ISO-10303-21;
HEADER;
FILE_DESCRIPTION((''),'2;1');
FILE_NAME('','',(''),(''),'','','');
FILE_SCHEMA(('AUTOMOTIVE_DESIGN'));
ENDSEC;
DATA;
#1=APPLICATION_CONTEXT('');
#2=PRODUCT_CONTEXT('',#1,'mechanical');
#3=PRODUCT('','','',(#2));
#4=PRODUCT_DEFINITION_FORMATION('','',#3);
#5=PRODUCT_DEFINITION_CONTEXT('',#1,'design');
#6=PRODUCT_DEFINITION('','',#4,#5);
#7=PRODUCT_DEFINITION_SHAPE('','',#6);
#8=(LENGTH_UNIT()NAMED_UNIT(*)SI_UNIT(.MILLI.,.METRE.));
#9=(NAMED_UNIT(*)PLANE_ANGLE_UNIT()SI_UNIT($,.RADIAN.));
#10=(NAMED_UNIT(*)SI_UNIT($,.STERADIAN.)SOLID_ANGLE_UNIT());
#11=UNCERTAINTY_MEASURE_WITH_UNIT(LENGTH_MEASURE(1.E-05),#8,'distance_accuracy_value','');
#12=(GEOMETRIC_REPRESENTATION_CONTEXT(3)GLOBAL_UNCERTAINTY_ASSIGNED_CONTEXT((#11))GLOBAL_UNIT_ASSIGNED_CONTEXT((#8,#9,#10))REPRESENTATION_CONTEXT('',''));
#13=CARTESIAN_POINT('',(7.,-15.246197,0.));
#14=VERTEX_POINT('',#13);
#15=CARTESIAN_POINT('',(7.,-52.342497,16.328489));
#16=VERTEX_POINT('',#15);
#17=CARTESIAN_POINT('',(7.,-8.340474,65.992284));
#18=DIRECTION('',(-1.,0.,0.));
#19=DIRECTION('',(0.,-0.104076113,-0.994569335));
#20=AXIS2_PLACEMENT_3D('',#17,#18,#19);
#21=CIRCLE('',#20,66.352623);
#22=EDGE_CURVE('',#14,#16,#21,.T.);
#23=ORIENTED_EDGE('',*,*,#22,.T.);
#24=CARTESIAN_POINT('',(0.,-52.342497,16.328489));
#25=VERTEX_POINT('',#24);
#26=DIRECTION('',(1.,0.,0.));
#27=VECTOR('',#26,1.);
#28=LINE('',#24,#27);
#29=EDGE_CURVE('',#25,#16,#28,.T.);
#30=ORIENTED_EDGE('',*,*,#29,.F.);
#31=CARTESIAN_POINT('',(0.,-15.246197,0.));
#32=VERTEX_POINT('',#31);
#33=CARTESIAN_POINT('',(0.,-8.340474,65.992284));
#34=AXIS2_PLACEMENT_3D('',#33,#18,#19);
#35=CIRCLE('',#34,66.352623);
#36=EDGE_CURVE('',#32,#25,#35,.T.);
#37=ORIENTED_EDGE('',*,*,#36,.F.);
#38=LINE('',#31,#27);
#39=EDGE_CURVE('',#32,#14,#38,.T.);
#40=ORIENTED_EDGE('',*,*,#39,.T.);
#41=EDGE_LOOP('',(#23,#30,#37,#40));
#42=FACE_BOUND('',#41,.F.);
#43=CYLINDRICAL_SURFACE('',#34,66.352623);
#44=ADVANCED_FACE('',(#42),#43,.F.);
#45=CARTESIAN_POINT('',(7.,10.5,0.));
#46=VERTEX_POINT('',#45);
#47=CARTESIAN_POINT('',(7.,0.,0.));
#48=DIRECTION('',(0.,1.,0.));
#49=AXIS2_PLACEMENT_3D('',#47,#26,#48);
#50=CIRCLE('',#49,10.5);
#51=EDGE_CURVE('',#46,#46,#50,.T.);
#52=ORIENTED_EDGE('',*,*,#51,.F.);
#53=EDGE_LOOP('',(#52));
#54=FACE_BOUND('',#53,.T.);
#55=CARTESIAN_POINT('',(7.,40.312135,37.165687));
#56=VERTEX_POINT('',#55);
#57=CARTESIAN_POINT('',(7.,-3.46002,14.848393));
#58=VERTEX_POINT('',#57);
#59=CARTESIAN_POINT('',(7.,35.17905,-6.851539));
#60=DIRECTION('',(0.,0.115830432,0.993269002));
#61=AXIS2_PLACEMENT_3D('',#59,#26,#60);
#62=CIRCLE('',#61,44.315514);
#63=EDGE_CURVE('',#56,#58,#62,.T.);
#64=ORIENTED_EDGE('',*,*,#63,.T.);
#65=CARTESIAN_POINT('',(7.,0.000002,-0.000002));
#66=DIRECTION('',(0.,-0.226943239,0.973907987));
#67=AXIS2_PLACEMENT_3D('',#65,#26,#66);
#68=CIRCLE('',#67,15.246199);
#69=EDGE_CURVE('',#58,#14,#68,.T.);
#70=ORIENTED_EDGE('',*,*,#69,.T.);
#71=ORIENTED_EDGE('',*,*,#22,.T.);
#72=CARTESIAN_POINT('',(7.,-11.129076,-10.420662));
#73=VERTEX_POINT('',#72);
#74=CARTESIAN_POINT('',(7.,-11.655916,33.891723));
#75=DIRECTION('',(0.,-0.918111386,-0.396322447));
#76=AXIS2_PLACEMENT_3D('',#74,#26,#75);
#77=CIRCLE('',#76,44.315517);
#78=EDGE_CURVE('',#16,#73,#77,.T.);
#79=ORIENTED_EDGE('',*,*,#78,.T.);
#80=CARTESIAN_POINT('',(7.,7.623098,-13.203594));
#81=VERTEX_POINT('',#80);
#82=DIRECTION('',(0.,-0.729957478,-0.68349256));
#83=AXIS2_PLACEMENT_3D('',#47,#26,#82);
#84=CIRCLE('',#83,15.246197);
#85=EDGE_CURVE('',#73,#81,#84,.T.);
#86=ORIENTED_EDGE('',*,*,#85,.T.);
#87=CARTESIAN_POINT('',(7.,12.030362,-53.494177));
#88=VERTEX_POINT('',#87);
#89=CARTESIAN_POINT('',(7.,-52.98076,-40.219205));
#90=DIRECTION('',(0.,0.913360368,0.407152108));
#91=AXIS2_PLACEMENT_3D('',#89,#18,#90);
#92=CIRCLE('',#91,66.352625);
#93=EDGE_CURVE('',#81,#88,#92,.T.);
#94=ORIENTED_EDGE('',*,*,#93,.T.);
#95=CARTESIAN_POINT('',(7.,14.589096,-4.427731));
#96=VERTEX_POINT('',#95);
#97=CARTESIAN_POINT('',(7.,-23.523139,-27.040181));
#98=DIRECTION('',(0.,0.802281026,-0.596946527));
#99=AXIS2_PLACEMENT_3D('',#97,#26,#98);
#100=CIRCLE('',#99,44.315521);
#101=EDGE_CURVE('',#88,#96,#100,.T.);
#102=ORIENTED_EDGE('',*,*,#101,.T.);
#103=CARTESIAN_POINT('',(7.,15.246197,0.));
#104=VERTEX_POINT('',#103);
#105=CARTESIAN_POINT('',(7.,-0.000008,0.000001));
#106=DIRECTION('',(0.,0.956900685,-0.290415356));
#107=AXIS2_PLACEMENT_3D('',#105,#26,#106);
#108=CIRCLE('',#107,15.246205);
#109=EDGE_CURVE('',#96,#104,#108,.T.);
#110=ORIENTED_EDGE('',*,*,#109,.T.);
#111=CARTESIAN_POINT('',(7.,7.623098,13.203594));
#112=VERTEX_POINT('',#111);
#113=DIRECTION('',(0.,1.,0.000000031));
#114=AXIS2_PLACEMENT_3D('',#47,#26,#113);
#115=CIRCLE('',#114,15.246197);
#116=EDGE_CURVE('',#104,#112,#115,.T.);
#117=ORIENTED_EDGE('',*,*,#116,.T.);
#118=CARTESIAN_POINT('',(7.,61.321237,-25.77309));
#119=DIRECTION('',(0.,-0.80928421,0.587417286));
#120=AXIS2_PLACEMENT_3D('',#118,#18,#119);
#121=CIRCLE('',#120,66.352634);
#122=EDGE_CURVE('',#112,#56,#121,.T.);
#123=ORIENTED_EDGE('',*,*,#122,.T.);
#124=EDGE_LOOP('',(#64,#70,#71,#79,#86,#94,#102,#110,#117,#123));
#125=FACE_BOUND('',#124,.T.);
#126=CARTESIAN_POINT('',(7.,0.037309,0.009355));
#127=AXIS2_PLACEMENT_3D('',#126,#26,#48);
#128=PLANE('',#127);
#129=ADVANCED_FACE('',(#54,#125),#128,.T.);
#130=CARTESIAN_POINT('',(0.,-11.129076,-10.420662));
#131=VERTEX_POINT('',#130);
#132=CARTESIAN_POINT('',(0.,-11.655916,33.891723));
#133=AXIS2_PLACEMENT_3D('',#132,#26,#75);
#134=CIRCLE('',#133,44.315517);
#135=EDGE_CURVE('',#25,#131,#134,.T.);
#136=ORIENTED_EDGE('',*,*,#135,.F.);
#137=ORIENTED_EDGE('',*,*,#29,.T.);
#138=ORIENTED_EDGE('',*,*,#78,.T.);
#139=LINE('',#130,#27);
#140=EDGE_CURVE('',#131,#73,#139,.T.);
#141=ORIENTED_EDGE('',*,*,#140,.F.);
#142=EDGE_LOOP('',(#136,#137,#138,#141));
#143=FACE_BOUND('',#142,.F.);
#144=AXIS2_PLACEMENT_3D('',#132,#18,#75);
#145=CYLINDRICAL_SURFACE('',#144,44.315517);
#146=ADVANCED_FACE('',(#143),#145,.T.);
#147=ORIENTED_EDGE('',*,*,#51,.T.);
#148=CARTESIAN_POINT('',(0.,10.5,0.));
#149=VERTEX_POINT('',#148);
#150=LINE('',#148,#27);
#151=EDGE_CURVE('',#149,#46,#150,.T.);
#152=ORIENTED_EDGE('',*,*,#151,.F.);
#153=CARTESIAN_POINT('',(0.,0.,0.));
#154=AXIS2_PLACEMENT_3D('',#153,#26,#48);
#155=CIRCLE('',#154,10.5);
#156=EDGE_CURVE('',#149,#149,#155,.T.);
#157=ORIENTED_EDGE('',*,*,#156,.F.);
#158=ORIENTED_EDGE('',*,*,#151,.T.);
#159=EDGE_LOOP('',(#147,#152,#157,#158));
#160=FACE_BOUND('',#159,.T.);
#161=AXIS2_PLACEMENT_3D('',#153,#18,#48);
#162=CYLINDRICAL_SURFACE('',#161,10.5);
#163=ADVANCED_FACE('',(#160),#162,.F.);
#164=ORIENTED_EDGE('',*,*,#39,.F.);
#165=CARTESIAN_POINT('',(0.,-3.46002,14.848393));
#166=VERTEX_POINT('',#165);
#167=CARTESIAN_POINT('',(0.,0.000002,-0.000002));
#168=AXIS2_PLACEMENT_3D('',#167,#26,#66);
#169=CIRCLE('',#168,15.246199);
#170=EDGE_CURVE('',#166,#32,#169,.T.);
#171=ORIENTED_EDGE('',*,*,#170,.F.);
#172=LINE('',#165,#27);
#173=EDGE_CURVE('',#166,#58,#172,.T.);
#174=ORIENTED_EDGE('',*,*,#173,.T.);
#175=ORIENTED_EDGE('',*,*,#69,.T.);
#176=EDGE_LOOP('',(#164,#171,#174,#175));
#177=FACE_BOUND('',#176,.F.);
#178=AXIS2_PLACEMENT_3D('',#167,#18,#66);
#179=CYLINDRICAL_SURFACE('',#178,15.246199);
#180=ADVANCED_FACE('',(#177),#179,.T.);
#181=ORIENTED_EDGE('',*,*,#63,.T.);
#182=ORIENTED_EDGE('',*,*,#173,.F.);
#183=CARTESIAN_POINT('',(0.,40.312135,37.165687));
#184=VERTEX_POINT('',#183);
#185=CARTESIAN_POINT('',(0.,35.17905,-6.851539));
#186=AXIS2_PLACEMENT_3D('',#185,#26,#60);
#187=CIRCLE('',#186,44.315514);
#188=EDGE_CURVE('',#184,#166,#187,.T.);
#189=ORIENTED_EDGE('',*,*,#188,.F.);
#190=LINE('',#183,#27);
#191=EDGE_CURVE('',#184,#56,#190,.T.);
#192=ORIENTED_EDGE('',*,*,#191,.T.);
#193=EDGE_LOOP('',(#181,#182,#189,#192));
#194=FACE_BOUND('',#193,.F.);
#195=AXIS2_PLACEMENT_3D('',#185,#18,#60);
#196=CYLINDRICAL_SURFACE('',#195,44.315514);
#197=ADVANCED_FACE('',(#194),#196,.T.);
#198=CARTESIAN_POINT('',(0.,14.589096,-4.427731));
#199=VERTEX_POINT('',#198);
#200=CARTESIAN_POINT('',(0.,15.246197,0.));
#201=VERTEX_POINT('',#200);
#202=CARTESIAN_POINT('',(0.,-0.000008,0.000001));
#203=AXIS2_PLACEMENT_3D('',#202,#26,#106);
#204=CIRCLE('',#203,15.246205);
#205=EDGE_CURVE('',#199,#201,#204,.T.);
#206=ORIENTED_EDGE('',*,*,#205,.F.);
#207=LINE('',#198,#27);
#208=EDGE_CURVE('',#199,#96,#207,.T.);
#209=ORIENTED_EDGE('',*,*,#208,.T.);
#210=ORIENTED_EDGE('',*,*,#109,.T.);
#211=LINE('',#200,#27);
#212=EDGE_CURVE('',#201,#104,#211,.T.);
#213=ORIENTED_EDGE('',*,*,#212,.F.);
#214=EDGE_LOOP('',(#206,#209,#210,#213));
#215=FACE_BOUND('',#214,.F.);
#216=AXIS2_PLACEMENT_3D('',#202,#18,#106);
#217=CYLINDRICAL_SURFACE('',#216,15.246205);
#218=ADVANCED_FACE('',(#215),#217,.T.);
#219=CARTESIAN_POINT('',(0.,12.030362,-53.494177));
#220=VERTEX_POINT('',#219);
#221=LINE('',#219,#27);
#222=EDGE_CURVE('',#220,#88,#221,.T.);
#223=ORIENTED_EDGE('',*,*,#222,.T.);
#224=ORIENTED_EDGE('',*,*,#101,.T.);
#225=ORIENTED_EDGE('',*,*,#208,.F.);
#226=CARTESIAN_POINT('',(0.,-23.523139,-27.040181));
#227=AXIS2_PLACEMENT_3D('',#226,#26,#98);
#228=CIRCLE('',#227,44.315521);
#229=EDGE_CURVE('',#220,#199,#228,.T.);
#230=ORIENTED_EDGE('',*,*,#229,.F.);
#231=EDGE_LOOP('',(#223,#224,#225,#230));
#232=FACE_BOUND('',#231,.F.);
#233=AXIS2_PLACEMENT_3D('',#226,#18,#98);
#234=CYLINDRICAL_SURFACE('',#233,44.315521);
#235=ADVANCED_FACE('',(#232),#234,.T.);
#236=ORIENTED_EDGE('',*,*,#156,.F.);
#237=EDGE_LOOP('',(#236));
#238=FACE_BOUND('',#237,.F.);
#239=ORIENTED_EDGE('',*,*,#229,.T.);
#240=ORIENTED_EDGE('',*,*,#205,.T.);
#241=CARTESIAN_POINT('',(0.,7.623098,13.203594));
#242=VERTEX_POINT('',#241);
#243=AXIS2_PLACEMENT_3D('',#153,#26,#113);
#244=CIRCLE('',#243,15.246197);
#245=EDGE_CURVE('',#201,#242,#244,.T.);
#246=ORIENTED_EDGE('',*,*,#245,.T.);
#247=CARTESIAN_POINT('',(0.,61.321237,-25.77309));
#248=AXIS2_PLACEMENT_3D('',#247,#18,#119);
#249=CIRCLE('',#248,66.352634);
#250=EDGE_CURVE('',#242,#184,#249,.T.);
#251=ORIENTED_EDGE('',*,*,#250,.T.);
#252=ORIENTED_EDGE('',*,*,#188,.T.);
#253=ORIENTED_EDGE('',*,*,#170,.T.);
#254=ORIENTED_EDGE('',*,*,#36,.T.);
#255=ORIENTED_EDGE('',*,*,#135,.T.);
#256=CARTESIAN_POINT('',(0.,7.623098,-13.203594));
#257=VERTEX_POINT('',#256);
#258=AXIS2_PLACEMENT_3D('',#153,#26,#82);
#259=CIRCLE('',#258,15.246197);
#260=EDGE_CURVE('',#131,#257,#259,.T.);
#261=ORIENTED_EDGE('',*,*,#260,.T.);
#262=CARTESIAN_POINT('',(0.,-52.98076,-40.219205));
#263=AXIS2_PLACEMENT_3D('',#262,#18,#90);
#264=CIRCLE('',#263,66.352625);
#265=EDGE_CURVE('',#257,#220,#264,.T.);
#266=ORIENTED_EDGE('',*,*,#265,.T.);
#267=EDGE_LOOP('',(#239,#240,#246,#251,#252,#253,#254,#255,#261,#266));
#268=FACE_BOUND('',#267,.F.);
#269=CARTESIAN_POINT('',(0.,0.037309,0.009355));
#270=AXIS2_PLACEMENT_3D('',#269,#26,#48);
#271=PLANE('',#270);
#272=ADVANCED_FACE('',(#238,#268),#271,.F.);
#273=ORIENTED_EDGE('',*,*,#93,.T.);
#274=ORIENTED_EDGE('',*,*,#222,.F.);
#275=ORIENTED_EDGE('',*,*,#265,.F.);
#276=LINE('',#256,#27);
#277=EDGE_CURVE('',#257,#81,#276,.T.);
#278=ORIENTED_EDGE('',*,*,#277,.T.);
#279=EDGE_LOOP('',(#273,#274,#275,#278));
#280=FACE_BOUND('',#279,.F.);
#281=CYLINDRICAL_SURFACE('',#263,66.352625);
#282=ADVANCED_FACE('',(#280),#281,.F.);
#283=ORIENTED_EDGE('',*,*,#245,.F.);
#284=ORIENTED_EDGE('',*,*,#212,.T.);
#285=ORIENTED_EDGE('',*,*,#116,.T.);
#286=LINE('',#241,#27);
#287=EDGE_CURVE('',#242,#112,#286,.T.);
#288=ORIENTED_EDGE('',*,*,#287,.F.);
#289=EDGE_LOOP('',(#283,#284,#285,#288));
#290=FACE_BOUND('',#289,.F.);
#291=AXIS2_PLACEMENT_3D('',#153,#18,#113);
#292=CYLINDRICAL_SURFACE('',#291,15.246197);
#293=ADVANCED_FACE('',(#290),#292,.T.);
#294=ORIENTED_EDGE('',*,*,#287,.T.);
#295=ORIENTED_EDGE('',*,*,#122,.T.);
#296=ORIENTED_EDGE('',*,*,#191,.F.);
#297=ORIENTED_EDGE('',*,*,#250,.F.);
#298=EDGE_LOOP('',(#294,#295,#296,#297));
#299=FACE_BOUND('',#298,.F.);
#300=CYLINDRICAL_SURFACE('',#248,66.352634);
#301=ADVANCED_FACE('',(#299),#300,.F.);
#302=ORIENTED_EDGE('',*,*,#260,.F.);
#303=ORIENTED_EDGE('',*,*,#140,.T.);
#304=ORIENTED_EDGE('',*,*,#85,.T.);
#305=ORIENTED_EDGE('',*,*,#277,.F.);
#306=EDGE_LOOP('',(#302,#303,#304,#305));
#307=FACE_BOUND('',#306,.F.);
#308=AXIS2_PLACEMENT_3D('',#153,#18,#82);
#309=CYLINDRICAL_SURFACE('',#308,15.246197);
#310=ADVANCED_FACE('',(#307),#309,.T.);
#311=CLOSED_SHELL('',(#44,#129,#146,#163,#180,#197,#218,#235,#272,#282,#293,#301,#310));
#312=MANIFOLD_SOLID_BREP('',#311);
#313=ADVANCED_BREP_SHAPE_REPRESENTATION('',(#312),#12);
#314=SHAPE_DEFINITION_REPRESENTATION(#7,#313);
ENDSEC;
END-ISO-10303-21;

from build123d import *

# Parameters (mm, degrees)
F1_DEPTH = 7
F2_DEPTH = 7
F3_DEPTH = 7
F0_R     = 10.5
F4_DEPTH = 7


with BuildPart() as f1:
    # F0 (on Right) → F1 (new body)
    with BuildSketch(Plane.YZ):
        with BuildLine():
            ThreePointArc((14.589096, -4.427731), (11.941496, -9.478775), (7.623098, -13.203594))
            ThreePointArc((7.623098, -13.203594), (12.978421, -33.004131), (12.030362, -53.494177))
            ThreePointArc((12.030362, -53.494177), (20.732247, -29.348026), (14.589096, -4.427731))
        make_face()
    extrude(amount=F1_DEPTH)



with BuildPart() as f2:
    # F0 (on Right) → F2 (new body)
    with BuildSketch(Plane.YZ):
        with BuildLine():
            ThreePointArc((-15.246197, 0), (-35.071627, 5.262423), (-52.342497, 16.328489))
            ThreePointArc((-52.342497, 16.328489), (-35.78226, -3.28064), (-11.129076, -10.420662))
            ThreePointArc((-11.129076, -10.420662), (-14.179608, -5.602251), (-15.246197, 0))
        make_face()
    extrude(amount=F2_DEPTH)


with BuildPart() as f3:
    # F0 (on Right) → F3 (new body)
    with BuildSketch(Plane.YZ):
        with BuildLine():
            ThreePointArc((40.312135, 37.165687), (15.050012, 32.628666), (-3.46002, 14.848393))
            ThreePointArc((-3.46002, 14.848393), (2.238112, 15.081027), (7.623098, 13.203594))
            ThreePointArc((7.623098, 13.203594), (22.093206, 27.741708), (40.312135, 37.165687))
        make_face()
    extrude(amount=F3_DEPTH)


with BuildPart() as f1_1:
    add(f1.part)

    add(f2.part)  # F4 merges F2

    add(f3.part)  # F4 merges F3
    # F0 (on Right) → F4 (join)
    with BuildSketch(Plane.YZ):
        with BuildLine():
            ThreePointArc((-3.46002, 14.848393), (-11.941496, 9.478775), (-15.246197, 0))
            ThreePointArc((-15.246197, 0), (-14.179608, -5.602251), (-11.129076, -10.420662))
            ThreePointArc((-11.129076, -10.420662), (-2.238112, -15.081027), (7.623098, -13.203594))
            ThreePointArc((7.623098, -13.203594), (11.941496, -9.478775), (14.589096, -4.427731))
            ThreePointArc((14.589096, -4.427731), (15.081027, -2.238112), (15.246197, 0))
            ThreePointArc((15.246197, 0), (13.203594, 7.623098), (7.623098, 13.203594))
            ThreePointArc((7.623098, 13.203594), (2.238112, 15.081027), (-3.46002, 14.848393))
        make_face()
        Circle(F0_R, mode=Mode.SUBTRACT)
    extrude(amount=F4_DEPTH)


solid = f1_1.part
